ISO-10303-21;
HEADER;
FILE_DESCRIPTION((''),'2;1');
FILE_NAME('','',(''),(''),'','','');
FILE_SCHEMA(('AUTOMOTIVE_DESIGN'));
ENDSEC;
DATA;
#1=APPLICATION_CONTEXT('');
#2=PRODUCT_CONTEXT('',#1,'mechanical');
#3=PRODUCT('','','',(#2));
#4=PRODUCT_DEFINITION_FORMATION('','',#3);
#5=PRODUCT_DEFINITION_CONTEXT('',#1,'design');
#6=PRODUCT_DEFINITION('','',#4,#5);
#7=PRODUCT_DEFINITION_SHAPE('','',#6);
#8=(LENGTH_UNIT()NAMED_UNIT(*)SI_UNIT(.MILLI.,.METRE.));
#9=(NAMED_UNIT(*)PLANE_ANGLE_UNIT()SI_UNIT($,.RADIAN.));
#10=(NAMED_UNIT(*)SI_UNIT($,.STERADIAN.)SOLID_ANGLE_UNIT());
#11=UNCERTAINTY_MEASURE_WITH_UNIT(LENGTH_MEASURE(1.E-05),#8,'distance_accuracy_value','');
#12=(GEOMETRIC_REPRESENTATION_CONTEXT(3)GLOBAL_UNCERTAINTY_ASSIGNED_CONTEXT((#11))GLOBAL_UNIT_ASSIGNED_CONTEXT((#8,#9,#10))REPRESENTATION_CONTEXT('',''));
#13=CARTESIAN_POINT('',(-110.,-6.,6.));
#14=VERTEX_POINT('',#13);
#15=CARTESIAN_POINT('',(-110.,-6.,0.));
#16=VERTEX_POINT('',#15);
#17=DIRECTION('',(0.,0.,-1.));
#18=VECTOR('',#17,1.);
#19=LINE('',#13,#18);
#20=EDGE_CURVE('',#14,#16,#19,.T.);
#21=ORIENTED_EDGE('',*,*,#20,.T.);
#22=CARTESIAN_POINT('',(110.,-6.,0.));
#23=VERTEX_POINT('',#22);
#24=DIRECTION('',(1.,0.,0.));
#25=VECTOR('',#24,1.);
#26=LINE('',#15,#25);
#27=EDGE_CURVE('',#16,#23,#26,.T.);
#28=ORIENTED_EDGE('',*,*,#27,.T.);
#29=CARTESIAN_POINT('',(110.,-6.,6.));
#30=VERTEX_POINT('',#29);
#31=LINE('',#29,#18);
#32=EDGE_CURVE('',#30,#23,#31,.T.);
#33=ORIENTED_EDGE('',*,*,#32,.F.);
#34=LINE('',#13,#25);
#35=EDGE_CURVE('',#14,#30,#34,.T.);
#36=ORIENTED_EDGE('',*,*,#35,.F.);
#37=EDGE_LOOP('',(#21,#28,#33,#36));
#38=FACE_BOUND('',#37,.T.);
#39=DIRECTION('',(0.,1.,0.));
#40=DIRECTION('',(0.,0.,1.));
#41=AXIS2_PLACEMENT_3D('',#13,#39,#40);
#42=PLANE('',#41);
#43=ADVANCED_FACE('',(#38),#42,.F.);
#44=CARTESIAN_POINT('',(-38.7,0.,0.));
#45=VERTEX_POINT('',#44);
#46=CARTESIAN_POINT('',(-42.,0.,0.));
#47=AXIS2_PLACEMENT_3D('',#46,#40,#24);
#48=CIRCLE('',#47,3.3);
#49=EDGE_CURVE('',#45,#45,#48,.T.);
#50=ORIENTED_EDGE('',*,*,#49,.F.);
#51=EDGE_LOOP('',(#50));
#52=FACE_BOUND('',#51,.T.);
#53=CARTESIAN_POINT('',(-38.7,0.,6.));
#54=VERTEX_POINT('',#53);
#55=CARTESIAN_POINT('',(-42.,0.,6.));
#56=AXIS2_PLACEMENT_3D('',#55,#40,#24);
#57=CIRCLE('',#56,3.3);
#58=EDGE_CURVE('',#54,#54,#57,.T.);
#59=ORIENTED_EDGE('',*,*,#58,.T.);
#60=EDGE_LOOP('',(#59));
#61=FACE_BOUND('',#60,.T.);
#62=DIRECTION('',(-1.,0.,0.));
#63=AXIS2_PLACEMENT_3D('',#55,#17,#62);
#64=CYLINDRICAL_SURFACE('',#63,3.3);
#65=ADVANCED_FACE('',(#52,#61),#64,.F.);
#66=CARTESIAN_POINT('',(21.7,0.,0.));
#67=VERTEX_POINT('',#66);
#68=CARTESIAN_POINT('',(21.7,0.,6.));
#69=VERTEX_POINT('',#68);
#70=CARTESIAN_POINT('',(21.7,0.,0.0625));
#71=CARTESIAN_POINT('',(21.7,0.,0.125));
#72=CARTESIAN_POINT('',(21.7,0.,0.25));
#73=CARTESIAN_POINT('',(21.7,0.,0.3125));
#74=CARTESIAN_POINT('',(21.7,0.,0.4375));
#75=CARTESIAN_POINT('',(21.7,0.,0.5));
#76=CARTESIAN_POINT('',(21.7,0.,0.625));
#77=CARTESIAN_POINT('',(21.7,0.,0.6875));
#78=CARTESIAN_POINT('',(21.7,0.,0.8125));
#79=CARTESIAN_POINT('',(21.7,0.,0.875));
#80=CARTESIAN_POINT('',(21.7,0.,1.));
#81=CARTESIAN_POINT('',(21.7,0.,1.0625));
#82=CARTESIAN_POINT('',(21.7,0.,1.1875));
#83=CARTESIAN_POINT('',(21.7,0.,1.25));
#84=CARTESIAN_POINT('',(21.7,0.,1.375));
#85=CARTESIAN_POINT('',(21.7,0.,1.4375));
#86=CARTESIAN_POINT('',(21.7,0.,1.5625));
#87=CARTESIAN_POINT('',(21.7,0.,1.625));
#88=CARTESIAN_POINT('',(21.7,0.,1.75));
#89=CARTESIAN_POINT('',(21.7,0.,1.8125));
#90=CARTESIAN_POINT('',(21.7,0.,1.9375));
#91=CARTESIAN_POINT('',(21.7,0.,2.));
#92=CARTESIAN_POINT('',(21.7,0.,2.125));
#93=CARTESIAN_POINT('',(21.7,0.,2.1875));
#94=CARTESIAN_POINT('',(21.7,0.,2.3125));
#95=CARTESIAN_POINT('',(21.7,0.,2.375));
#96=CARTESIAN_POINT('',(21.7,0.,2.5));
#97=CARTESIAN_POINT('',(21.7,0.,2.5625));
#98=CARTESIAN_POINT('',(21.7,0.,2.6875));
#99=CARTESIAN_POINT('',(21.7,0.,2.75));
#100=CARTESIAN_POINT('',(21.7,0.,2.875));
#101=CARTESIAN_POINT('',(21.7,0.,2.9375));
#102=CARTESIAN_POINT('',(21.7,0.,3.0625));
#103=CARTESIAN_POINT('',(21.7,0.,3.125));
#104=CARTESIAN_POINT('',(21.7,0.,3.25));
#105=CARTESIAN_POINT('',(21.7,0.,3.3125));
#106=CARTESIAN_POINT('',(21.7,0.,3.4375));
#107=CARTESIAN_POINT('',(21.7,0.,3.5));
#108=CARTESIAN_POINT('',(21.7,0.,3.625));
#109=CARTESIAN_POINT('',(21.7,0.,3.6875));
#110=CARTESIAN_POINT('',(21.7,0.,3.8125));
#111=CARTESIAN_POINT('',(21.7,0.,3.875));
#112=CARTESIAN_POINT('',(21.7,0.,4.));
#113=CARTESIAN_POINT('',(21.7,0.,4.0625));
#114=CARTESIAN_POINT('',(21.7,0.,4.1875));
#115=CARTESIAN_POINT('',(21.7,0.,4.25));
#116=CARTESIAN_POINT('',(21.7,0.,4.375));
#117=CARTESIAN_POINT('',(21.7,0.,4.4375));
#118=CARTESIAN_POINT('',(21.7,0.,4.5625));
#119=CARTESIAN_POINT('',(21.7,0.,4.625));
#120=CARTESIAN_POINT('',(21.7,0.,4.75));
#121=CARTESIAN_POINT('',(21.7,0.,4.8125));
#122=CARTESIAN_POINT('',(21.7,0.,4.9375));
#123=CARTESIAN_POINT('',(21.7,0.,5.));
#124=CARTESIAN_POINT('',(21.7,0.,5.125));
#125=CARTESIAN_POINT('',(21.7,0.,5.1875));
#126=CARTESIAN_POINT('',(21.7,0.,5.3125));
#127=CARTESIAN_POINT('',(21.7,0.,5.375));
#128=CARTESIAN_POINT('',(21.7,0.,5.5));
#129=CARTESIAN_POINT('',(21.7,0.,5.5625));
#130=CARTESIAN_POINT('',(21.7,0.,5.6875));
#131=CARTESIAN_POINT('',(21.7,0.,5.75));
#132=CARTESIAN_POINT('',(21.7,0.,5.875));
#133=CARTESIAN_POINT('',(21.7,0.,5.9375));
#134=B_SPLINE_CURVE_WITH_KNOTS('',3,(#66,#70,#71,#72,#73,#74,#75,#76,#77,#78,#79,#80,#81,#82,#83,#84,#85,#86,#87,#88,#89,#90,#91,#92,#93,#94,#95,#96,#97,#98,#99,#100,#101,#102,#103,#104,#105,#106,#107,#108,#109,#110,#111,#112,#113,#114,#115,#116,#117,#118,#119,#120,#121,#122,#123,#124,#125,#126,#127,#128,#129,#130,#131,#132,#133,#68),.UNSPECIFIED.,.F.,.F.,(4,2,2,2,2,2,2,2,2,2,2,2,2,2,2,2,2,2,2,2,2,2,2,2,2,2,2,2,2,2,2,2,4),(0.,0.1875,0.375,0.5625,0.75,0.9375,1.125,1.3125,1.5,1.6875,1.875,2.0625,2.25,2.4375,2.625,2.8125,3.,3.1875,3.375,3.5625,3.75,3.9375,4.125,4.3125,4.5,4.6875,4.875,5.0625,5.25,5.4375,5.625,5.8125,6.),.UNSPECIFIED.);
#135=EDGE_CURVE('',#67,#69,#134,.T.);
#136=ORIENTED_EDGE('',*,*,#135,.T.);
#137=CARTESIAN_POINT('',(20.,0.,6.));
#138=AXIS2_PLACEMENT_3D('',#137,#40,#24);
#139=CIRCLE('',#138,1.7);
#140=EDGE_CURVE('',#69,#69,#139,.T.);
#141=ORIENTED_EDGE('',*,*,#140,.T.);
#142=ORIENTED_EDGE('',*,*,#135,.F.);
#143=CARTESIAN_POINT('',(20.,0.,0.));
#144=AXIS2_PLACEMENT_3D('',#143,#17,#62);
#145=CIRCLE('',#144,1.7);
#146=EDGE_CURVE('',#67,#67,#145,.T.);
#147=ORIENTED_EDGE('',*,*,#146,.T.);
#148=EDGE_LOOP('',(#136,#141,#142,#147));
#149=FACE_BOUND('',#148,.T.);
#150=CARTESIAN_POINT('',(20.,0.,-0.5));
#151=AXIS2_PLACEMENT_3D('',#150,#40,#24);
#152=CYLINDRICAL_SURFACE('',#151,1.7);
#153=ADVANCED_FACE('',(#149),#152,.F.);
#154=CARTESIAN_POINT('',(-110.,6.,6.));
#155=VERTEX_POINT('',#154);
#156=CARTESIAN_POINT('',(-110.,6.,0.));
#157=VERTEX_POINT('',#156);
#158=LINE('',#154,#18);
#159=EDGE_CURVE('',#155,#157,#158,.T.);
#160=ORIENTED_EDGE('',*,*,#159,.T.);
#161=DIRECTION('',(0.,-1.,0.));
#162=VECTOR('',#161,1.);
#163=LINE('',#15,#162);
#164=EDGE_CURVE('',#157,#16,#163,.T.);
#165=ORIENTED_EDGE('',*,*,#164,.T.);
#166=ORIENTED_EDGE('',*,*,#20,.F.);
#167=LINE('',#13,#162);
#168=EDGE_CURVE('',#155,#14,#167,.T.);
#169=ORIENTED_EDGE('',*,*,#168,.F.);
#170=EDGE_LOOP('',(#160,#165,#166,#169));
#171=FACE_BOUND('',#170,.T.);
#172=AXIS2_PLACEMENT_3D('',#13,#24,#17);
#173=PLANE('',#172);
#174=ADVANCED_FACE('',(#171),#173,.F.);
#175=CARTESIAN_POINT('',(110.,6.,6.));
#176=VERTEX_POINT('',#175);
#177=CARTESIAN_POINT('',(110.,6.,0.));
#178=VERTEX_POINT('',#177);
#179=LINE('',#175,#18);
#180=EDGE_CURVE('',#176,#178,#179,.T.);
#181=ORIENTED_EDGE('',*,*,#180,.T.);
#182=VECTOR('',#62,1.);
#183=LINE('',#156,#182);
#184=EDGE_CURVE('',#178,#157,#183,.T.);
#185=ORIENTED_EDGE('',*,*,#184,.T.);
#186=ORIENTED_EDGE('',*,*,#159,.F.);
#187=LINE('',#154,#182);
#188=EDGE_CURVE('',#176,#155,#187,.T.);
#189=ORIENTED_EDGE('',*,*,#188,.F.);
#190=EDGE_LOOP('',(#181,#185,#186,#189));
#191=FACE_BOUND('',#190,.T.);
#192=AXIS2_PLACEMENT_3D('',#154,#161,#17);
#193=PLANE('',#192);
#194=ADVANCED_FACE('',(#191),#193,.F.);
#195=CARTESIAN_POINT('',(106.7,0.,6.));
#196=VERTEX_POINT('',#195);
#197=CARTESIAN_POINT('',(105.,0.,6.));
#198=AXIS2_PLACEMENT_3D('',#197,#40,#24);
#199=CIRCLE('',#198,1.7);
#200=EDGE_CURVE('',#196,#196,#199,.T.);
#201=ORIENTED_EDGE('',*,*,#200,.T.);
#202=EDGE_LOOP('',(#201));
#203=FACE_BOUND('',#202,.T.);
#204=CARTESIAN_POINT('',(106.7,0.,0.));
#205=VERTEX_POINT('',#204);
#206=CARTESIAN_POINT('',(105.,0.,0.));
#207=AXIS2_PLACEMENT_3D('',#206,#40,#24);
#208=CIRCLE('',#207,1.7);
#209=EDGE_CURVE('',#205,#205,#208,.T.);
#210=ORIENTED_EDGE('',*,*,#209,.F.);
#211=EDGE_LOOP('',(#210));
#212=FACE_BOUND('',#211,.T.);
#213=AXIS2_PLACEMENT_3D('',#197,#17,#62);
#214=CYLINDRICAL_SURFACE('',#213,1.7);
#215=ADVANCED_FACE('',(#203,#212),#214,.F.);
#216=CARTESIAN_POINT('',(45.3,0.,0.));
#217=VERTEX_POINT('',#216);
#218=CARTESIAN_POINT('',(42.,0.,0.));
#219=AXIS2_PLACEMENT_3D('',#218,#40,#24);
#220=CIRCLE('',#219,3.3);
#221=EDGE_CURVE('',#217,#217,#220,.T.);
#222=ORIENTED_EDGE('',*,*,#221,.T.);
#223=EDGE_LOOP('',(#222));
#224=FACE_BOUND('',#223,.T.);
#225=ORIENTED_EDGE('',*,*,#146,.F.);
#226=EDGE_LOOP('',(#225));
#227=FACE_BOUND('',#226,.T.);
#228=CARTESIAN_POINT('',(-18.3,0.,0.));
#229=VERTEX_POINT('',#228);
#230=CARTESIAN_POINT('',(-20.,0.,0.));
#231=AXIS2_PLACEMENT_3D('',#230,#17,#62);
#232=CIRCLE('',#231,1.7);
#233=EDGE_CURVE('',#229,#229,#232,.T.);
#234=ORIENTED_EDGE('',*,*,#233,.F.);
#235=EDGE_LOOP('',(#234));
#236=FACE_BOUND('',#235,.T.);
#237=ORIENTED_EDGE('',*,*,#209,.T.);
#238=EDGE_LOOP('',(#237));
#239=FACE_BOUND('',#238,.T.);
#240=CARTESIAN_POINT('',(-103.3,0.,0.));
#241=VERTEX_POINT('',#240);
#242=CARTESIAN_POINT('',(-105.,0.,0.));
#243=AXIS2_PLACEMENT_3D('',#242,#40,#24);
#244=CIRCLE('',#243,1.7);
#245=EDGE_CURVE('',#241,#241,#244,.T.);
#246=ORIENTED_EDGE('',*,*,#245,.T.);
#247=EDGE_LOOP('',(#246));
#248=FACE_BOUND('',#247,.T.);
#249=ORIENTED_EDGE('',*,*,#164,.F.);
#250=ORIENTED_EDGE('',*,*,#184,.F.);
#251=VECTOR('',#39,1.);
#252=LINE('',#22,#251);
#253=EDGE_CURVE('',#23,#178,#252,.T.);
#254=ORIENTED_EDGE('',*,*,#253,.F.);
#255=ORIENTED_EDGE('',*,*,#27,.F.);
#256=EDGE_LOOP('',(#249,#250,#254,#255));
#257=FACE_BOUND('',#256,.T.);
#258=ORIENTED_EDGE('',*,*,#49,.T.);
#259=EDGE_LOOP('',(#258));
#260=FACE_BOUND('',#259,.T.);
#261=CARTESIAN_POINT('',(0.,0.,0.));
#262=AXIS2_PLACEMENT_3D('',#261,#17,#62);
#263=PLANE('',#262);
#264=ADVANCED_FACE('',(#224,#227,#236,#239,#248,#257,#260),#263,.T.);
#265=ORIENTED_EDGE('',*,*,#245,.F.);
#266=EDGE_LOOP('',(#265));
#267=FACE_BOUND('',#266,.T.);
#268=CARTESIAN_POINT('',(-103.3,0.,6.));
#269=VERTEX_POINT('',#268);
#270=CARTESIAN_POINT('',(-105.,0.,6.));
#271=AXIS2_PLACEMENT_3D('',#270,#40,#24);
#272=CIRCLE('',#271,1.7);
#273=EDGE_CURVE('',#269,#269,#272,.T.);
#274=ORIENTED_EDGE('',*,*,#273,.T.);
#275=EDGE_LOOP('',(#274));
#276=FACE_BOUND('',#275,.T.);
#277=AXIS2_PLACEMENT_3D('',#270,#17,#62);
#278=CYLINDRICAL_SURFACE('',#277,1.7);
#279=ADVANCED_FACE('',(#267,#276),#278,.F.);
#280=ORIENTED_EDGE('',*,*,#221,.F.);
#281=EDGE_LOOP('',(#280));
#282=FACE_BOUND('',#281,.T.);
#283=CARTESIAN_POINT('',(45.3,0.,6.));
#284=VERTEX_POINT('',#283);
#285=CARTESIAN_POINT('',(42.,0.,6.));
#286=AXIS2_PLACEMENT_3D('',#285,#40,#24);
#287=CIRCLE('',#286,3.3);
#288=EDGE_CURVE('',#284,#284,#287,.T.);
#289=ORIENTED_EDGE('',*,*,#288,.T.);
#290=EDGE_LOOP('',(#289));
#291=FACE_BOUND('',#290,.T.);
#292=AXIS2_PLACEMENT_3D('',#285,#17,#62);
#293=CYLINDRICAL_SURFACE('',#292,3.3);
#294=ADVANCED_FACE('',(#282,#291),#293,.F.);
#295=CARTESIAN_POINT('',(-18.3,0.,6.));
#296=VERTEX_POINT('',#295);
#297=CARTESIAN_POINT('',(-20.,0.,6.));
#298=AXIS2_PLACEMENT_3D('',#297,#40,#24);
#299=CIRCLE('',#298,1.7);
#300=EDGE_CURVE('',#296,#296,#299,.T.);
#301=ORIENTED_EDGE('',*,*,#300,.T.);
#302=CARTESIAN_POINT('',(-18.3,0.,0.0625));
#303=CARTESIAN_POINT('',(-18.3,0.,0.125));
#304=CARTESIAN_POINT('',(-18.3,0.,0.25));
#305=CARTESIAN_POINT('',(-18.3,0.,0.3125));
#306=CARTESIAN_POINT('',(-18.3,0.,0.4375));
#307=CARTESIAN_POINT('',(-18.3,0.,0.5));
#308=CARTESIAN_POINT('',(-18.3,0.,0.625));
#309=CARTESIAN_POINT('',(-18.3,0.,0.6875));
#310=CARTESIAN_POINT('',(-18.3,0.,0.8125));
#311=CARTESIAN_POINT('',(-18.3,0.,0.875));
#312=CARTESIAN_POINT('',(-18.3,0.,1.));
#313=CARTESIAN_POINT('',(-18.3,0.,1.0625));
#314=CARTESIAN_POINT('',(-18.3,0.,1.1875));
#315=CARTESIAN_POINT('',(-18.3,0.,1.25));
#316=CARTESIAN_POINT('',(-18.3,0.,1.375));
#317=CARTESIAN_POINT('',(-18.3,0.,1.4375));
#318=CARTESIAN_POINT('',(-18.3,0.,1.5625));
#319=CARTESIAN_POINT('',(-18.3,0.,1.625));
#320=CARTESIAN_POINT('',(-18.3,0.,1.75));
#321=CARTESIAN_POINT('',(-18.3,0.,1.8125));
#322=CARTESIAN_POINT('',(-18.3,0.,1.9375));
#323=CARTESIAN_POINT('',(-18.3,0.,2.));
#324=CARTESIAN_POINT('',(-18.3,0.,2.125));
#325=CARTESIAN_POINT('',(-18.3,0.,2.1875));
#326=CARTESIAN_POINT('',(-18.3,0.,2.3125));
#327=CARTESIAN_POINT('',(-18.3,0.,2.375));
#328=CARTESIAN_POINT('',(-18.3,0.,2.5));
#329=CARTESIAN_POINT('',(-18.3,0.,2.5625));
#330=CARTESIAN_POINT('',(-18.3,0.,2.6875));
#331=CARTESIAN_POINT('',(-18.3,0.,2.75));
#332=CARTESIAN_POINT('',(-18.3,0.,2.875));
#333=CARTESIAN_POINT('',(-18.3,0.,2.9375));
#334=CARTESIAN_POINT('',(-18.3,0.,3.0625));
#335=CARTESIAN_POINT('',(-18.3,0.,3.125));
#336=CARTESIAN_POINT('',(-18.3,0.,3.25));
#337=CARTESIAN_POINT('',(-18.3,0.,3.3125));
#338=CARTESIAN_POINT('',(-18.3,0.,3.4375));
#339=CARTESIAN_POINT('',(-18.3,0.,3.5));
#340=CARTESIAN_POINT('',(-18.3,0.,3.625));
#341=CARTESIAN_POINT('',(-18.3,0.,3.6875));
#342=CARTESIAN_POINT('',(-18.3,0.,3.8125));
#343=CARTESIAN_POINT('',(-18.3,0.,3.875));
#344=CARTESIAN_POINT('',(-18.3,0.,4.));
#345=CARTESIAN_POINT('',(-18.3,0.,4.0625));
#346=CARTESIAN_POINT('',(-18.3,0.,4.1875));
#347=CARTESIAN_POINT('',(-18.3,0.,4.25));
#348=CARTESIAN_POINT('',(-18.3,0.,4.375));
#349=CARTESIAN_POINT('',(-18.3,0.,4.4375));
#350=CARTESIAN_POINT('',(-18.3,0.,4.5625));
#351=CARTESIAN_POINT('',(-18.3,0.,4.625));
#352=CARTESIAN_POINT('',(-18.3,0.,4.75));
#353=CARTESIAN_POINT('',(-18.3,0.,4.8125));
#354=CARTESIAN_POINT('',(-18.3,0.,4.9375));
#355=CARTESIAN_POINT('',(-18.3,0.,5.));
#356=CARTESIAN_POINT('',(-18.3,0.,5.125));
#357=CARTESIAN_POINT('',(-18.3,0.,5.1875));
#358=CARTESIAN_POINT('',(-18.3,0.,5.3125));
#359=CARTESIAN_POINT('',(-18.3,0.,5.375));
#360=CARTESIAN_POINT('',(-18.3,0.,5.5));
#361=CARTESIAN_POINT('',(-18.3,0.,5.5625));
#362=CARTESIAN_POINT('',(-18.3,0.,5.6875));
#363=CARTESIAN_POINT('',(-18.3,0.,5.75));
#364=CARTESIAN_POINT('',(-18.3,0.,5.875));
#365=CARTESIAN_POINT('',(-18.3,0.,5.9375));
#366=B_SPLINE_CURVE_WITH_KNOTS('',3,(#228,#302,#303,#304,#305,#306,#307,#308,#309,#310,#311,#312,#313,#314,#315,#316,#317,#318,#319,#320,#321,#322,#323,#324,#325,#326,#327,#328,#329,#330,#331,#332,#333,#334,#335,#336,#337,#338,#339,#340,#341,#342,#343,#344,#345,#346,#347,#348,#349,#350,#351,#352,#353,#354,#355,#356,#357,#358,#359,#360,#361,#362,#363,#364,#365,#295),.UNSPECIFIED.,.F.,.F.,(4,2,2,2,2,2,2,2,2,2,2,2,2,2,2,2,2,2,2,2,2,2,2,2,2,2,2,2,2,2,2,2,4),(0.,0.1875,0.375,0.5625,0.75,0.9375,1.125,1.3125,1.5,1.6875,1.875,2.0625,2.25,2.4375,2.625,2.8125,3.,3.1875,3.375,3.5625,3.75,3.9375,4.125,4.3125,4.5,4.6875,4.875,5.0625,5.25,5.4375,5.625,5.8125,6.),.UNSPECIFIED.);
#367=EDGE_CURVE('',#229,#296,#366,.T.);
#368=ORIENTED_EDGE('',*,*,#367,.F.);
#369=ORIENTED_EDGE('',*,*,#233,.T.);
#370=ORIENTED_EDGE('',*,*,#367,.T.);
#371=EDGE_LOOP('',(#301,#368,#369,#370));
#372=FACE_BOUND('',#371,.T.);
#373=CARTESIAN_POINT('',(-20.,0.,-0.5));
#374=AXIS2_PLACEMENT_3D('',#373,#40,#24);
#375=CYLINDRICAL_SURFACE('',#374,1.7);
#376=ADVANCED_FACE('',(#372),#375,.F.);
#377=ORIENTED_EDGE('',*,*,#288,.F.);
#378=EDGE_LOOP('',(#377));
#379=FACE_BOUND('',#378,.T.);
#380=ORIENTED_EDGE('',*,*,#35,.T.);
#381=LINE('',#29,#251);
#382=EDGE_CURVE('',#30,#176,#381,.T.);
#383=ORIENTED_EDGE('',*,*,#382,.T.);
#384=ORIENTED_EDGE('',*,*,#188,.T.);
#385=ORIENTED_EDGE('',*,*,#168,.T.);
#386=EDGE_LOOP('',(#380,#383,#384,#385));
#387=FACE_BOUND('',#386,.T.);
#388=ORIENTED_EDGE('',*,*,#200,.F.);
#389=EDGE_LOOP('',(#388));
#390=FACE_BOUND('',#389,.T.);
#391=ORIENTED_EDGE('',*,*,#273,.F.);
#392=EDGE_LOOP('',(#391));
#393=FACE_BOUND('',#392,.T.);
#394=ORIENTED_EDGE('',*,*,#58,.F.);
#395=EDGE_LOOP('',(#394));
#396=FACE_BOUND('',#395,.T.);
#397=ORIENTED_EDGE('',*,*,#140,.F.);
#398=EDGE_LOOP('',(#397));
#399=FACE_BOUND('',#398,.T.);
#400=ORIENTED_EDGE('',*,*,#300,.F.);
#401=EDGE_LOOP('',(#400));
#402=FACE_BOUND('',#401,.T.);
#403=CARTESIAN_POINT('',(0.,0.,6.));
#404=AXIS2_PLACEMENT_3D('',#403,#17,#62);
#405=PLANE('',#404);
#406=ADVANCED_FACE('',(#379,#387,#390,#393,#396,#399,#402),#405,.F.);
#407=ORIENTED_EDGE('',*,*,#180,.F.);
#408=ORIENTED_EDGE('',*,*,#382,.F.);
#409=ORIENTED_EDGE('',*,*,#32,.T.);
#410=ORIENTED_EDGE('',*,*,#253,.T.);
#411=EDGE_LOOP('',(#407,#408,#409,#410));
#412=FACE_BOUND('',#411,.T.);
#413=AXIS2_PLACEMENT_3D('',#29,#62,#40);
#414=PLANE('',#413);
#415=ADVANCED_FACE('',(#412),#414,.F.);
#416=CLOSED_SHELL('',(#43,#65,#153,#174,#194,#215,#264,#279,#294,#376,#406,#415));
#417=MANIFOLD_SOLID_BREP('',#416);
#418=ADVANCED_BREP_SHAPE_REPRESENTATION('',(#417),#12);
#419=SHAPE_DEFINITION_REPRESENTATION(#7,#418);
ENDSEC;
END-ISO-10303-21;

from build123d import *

# Parameters (mm, degrees)
SKETCH1_W                                     = 220
SKETCH1_H                                     = 12
SKETCH1_R                                     = 1.7
SKETCH1_R_2                                   = 3.3
HEADER_CROSSBEAM_DEPTH                        = 6
SKETCH2_R                                     = 1.7
BENCH_HEADER_M3_CLEARANCE_HOLES_2X_D3P4_DEPTH = 6.5


with BuildPart() as part:
    # Sketch1 → Header_Crossbeam (new body)
    with BuildSketch(Plane.XY):
        Rectangle(SKETCH1_W, SKETCH1_H)
        with Locations((-105, 0)):
            Circle(SKETCH1_R, mode=Mode.SUBTRACT)
        with Locations((105, 0)):
            Circle(SKETCH1_R, mode=Mode.SUBTRACT)
        with Locations((-42, 0)):
            Circle(SKETCH1_R_2, mode=Mode.SUBTRACT)
        with Locations((42, 0)):
            Circle(SKETCH1_R_2, mode=Mode.SUBTRACT)
    extrude(amount=HEADER_CROSSBEAM_DEPTH)

    # Sketch2 → Bench_Header_M3_Clearance_Holes_2x_D3p4 (cut)
    with BuildSketch(Plane.XY.offset(6)):
        with Locations((-20, 0)):
            Circle(SKETCH2_R)
        with Locations((20, 0)):
            Circle(SKETCH2_R)
    extrude(amount=-BENCH_HEADER_M3_CLEARANCE_HOLES_2X_D3P4_DEPTH, mode=Mode.SUBTRACT)


solid = part.part
